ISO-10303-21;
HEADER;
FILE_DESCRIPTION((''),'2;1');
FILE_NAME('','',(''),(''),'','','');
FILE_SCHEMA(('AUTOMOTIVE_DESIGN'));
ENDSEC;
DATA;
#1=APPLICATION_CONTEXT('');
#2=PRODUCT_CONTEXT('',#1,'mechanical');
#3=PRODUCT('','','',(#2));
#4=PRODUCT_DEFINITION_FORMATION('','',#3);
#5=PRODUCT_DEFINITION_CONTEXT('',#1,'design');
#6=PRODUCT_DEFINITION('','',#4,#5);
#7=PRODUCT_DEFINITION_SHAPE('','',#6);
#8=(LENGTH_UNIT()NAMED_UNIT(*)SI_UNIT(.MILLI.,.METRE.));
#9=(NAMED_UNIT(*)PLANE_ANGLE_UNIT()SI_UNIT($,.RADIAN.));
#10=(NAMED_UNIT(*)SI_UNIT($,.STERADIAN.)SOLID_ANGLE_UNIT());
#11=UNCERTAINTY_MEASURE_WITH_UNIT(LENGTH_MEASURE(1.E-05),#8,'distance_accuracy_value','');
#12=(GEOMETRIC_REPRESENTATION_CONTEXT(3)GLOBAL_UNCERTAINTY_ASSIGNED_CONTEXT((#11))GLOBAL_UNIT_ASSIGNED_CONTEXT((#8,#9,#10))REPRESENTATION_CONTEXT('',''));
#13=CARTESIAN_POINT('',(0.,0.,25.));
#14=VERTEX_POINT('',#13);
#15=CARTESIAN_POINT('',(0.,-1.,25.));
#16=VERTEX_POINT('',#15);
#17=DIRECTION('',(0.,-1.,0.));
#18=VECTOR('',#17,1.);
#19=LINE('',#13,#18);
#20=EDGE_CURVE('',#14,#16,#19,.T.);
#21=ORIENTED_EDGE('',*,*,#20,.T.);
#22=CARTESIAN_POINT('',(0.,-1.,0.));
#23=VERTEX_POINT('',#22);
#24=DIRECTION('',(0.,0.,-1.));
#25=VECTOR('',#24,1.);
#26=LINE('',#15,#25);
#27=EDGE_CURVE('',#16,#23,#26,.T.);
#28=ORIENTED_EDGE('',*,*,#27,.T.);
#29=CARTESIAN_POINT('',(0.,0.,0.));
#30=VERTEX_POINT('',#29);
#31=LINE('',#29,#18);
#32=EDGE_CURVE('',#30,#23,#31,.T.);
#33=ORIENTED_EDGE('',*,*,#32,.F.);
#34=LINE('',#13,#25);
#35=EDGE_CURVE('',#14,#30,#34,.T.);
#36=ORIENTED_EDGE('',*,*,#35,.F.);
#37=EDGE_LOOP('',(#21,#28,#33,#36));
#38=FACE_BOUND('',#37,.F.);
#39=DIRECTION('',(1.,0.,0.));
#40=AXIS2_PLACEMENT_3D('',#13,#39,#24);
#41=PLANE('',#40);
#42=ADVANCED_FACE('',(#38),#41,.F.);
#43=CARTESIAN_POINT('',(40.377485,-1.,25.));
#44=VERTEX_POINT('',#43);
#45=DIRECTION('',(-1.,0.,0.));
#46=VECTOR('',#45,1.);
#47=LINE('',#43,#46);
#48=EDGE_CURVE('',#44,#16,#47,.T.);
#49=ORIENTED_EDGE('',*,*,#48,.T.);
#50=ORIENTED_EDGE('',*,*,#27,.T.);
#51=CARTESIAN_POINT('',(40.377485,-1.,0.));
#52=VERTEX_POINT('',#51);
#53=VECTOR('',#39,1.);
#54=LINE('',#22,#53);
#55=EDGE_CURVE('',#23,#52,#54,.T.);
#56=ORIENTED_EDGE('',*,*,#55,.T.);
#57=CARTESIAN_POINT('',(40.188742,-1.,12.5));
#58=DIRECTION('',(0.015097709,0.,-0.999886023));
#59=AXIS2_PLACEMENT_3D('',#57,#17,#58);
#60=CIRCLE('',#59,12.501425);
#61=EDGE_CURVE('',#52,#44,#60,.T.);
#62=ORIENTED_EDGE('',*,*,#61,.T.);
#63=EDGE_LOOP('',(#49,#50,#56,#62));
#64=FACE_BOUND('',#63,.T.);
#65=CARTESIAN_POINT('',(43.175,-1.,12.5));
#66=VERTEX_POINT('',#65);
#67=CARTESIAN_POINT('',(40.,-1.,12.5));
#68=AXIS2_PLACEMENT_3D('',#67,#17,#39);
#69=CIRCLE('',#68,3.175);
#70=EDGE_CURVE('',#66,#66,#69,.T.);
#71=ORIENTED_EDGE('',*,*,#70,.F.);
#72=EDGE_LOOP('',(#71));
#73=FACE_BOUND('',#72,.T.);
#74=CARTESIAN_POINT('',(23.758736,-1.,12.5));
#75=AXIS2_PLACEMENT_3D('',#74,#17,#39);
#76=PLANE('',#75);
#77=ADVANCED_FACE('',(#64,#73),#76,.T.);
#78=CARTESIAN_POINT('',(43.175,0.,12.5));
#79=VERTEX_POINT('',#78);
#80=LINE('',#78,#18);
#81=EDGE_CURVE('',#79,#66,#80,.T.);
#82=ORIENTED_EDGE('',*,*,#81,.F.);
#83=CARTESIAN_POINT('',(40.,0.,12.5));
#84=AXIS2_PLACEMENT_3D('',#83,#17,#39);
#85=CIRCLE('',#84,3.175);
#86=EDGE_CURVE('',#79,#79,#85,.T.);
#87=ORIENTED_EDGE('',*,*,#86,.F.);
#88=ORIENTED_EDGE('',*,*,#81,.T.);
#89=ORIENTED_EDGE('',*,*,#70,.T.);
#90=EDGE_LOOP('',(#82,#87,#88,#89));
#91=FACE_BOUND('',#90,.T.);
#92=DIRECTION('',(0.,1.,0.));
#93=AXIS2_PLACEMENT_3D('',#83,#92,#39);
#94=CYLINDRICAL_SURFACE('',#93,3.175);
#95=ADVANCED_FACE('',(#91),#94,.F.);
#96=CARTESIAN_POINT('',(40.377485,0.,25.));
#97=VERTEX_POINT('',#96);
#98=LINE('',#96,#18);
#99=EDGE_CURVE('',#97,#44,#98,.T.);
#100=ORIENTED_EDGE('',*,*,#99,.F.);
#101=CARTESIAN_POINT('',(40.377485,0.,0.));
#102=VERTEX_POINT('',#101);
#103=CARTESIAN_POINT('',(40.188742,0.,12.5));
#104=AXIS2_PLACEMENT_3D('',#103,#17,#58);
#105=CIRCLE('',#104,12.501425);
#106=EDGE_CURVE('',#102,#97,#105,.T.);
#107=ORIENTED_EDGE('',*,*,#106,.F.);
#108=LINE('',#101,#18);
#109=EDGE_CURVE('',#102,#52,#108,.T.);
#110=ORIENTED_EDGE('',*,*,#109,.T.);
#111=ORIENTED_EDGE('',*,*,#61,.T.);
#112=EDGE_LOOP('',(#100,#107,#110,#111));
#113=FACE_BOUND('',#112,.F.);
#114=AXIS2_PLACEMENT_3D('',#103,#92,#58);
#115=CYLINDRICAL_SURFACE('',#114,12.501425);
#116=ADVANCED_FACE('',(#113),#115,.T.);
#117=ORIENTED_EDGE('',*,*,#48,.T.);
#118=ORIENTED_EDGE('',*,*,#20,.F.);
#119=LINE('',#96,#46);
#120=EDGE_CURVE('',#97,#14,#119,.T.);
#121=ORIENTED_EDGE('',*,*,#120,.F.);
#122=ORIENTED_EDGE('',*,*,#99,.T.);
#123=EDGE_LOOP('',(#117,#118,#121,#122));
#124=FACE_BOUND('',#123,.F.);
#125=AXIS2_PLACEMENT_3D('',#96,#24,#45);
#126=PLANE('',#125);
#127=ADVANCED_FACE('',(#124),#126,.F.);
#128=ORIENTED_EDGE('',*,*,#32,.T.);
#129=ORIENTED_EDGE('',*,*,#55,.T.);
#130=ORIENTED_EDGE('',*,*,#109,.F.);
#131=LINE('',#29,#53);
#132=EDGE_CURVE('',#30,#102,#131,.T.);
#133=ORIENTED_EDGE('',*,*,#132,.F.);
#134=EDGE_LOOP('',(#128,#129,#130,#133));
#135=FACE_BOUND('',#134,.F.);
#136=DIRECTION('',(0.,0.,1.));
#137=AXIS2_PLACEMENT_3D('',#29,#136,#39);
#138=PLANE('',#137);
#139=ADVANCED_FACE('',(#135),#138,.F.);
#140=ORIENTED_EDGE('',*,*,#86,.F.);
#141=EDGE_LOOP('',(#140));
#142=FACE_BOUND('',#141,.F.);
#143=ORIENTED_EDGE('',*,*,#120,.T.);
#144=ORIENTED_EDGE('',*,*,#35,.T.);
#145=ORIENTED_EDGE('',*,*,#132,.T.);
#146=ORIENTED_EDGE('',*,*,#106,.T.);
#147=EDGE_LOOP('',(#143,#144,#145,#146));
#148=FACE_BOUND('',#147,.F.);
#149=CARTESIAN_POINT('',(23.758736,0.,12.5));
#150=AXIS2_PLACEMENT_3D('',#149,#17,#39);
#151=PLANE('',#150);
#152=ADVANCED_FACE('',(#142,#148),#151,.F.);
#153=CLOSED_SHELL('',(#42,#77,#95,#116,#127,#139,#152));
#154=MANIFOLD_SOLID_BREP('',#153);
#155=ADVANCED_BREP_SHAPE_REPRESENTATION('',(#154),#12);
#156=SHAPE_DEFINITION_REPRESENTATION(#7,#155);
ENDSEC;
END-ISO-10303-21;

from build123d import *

# Parameters (mm, degrees)
F0_R     = 3.175
F1_DEPTH = 1


with BuildPart() as f1:
    # F0 (on Front) → F1 (new body)
    with BuildSketch(Plane.XZ):
        with BuildLine():
            Line((0, 25), (0, 0))
            Line((0, 0), (40, 0))
            Line((40, 0), (40.377485, 0))
            ThreePointArc((40.377485, 0), (52.690167, 12.5), (40.377485, 25))
            Line((40.377485, 25), (40, 25))
            Line((40, 25), (0, 25))
        make_face()
        with Locations((40, 12.5)):
            Circle(F0_R, mode=Mode.SUBTRACT)
    extrude(amount=F1_DEPTH)


solid = f1.part
